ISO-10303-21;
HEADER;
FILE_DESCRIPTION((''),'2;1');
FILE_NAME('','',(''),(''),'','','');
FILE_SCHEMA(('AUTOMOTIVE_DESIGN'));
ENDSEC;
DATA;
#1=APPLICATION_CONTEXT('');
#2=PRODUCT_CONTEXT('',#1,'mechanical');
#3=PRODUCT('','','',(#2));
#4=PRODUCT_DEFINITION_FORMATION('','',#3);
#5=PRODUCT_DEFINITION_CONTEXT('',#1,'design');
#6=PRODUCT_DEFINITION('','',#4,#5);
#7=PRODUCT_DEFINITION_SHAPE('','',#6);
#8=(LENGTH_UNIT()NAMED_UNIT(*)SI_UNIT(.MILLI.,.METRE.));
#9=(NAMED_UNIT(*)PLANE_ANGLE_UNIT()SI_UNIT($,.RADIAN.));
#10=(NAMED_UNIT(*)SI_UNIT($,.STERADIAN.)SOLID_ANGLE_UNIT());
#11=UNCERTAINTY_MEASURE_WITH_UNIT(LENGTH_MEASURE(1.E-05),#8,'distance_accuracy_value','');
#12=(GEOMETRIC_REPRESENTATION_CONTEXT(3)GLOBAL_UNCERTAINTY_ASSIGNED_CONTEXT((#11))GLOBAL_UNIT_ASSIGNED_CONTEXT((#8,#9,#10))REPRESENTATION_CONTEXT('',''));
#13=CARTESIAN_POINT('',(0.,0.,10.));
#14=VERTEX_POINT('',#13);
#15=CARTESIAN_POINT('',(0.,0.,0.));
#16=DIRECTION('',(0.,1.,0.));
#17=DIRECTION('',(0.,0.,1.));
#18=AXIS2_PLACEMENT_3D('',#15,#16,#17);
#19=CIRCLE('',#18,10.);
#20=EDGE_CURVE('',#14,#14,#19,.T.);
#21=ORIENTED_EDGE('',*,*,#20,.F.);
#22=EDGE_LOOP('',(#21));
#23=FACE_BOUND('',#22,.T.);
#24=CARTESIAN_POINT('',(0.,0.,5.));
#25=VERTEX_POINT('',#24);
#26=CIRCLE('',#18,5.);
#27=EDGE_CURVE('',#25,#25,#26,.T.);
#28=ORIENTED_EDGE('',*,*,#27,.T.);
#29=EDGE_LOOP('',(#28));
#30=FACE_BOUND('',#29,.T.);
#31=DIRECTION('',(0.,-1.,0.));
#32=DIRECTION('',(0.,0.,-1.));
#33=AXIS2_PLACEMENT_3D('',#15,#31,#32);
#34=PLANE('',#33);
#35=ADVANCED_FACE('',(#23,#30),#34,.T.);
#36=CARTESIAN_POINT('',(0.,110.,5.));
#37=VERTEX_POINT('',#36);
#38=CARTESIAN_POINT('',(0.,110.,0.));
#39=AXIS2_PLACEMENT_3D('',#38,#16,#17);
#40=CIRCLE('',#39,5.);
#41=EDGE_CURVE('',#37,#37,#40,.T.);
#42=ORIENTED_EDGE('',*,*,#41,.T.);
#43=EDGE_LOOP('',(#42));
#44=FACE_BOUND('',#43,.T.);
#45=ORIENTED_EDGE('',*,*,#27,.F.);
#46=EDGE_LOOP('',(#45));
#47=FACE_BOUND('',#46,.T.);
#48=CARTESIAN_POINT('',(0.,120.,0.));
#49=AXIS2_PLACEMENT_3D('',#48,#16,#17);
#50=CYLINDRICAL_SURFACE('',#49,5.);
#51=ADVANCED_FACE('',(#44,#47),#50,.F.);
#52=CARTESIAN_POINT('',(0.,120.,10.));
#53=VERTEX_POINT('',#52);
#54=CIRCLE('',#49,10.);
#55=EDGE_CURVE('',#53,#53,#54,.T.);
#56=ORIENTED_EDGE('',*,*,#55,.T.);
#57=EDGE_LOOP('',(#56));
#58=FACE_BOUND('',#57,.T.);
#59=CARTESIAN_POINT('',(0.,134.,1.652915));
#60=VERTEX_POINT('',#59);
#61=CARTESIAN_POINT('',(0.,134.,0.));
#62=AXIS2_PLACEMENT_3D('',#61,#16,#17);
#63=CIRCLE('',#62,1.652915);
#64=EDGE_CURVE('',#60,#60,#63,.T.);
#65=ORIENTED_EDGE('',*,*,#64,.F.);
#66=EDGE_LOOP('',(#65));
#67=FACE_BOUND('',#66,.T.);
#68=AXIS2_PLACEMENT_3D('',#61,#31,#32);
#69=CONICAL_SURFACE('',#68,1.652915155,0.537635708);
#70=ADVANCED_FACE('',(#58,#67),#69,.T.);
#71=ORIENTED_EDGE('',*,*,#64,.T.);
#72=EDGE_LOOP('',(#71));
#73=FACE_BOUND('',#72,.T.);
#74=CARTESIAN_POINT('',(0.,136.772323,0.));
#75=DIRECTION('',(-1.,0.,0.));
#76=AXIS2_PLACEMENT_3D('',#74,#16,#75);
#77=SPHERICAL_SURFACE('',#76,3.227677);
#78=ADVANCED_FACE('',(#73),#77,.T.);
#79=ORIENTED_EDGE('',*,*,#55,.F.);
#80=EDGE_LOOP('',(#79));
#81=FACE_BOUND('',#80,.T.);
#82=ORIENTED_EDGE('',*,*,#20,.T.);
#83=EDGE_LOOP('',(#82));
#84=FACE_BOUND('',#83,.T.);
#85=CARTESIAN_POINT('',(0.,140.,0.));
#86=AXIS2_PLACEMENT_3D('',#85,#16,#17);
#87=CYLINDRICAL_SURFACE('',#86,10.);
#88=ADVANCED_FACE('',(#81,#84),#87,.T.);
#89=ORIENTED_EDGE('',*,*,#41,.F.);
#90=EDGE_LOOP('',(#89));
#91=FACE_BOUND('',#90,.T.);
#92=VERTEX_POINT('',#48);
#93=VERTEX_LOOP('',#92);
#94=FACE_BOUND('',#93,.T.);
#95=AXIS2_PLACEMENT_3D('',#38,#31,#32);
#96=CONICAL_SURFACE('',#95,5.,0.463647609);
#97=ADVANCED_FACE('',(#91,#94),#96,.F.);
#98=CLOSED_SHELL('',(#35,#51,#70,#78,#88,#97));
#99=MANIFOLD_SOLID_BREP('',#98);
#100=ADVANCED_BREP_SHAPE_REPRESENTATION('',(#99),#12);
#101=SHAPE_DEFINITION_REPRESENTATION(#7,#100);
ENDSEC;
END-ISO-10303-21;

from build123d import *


with BuildPart() as part:
    # Sketch3 → Revolve1 (revolve)
    with BuildSketch(Plane.XY):
        with BuildLine():
            Line((0, 0), (-10, 0))
            Line((-10, 0), (-10, 120))
            Line((-10, 120), (-1.652915155, 134))
            ThreePointArc((-1.652915155, 134), (-3.11175708, 137.629567697), (0, 140))
            Line((0, 140), (0, 0))
        make_face()
    revolve(axis=Axis((0, 140, 0), (0, -1, 0)))

    # Sketch4 → Cut-Revolve1 (revolve, cut)
    with BuildSketch(Plane.XY):
        Polygon((0, 0), (5, 0), (5, 110), (0, 120), align=None)
    revolve(axis=Axis((0, 120, 0), (0, -1, 0)), mode=Mode.SUBTRACT)


solid = part.part
